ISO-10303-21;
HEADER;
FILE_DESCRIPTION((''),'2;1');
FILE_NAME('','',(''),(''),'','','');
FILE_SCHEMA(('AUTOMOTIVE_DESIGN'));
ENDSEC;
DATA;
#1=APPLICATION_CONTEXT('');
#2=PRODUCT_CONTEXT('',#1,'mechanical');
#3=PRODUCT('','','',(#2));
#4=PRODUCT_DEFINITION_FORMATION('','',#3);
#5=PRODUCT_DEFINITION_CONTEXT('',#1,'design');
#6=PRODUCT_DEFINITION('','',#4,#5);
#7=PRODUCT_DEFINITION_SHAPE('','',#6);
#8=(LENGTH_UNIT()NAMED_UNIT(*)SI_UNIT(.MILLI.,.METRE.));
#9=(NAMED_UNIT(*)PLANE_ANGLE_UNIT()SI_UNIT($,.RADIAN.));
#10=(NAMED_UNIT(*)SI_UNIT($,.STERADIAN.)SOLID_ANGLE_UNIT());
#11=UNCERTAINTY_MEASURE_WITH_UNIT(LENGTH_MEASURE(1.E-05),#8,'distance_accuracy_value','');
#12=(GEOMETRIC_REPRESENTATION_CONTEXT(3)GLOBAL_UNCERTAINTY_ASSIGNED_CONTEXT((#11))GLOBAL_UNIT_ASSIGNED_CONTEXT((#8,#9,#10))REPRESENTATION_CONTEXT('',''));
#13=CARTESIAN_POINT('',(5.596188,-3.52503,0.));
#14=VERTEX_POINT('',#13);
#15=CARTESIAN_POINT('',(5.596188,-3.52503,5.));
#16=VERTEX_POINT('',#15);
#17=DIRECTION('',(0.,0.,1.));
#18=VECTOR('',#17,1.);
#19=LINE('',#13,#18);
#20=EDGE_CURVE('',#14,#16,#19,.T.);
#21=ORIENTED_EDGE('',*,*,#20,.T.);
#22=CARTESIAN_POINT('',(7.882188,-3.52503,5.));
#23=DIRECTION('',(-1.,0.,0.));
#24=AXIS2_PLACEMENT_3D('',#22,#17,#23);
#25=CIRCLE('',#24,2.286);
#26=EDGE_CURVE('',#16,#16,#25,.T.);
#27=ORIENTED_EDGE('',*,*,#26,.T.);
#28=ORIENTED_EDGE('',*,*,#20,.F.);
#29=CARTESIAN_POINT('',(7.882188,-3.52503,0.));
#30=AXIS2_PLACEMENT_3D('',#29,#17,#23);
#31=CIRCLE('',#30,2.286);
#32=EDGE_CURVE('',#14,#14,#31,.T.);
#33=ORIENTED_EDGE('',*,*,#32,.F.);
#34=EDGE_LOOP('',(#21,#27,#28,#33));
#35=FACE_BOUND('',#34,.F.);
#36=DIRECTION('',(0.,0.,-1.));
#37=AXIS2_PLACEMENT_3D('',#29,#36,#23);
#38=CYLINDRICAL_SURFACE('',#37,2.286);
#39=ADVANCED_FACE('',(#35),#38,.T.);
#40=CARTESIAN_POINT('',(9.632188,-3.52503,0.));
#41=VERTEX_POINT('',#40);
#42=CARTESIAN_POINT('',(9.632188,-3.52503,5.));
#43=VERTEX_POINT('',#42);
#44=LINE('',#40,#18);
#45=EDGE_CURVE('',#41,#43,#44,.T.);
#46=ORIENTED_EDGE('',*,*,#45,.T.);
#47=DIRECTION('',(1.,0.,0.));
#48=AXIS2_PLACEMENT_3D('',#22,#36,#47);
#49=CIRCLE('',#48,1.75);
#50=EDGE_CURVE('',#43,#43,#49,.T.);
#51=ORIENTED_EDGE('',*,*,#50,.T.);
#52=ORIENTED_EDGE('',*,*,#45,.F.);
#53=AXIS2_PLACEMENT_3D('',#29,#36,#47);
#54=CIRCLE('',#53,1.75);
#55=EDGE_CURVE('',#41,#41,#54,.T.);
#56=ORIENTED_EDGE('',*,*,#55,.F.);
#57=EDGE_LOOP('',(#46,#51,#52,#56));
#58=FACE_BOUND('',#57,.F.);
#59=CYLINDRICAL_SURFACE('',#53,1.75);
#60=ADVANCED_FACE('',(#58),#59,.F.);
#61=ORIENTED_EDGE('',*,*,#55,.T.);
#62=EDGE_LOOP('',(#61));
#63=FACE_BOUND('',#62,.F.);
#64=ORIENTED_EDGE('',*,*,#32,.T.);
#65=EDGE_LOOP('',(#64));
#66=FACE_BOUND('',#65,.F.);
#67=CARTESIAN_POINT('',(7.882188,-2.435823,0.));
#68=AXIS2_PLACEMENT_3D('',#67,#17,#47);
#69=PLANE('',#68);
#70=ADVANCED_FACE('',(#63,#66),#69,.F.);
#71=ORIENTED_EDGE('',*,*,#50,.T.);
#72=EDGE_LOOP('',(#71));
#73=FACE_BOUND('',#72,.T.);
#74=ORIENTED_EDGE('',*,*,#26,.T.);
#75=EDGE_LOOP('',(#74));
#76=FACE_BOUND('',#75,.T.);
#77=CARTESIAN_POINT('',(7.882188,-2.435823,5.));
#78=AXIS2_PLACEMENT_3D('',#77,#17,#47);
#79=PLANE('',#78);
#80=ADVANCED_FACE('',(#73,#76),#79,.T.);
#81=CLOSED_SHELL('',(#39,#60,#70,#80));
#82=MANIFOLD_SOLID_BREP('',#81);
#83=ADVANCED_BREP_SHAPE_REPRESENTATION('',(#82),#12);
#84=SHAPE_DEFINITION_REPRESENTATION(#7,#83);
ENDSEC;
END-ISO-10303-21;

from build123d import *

# Parameters (mm, degrees)
F1_DEPTH = 5


with BuildPart() as f1:
    # F0 (on Top) → F1 (new body)
    with BuildSketch(Plane.XY):
        with BuildLine():
            Line((9.632188255, -3.5250303335), (10.168188255, -3.5250303335))
            ThreePointArc((10.168188255, -3.5250303335), (7.882188255, -1.2390303335), (5.596188255, -3.5250303335))
            Line((5.596188255, -3.5250303335), (6.132188255, -3.5250303335))
            ThreePointArc((6.132188255, -3.5250303335), (7.882188255, -1.7750303335), (9.632188255, -3.5250303335))
        make_face()
        with BuildLine():
            ThreePointArc((5.596188255, -3.5250303335), (7.882188255, -5.8110303335), (10.168188255, -3.5250303335))
            Line((10.168188255, -3.5250303335), (9.632188255, -3.5250303335))
            ThreePointArc((9.632188255, -3.5250303335), (7.882188255, -5.2750303335), (6.132188255, -3.5250303335))
            Line((6.132188255, -3.5250303335), (5.596188255, -3.5250303335))
        make_face()
    extrude(amount=F1_DEPTH)


solid = f1.part
